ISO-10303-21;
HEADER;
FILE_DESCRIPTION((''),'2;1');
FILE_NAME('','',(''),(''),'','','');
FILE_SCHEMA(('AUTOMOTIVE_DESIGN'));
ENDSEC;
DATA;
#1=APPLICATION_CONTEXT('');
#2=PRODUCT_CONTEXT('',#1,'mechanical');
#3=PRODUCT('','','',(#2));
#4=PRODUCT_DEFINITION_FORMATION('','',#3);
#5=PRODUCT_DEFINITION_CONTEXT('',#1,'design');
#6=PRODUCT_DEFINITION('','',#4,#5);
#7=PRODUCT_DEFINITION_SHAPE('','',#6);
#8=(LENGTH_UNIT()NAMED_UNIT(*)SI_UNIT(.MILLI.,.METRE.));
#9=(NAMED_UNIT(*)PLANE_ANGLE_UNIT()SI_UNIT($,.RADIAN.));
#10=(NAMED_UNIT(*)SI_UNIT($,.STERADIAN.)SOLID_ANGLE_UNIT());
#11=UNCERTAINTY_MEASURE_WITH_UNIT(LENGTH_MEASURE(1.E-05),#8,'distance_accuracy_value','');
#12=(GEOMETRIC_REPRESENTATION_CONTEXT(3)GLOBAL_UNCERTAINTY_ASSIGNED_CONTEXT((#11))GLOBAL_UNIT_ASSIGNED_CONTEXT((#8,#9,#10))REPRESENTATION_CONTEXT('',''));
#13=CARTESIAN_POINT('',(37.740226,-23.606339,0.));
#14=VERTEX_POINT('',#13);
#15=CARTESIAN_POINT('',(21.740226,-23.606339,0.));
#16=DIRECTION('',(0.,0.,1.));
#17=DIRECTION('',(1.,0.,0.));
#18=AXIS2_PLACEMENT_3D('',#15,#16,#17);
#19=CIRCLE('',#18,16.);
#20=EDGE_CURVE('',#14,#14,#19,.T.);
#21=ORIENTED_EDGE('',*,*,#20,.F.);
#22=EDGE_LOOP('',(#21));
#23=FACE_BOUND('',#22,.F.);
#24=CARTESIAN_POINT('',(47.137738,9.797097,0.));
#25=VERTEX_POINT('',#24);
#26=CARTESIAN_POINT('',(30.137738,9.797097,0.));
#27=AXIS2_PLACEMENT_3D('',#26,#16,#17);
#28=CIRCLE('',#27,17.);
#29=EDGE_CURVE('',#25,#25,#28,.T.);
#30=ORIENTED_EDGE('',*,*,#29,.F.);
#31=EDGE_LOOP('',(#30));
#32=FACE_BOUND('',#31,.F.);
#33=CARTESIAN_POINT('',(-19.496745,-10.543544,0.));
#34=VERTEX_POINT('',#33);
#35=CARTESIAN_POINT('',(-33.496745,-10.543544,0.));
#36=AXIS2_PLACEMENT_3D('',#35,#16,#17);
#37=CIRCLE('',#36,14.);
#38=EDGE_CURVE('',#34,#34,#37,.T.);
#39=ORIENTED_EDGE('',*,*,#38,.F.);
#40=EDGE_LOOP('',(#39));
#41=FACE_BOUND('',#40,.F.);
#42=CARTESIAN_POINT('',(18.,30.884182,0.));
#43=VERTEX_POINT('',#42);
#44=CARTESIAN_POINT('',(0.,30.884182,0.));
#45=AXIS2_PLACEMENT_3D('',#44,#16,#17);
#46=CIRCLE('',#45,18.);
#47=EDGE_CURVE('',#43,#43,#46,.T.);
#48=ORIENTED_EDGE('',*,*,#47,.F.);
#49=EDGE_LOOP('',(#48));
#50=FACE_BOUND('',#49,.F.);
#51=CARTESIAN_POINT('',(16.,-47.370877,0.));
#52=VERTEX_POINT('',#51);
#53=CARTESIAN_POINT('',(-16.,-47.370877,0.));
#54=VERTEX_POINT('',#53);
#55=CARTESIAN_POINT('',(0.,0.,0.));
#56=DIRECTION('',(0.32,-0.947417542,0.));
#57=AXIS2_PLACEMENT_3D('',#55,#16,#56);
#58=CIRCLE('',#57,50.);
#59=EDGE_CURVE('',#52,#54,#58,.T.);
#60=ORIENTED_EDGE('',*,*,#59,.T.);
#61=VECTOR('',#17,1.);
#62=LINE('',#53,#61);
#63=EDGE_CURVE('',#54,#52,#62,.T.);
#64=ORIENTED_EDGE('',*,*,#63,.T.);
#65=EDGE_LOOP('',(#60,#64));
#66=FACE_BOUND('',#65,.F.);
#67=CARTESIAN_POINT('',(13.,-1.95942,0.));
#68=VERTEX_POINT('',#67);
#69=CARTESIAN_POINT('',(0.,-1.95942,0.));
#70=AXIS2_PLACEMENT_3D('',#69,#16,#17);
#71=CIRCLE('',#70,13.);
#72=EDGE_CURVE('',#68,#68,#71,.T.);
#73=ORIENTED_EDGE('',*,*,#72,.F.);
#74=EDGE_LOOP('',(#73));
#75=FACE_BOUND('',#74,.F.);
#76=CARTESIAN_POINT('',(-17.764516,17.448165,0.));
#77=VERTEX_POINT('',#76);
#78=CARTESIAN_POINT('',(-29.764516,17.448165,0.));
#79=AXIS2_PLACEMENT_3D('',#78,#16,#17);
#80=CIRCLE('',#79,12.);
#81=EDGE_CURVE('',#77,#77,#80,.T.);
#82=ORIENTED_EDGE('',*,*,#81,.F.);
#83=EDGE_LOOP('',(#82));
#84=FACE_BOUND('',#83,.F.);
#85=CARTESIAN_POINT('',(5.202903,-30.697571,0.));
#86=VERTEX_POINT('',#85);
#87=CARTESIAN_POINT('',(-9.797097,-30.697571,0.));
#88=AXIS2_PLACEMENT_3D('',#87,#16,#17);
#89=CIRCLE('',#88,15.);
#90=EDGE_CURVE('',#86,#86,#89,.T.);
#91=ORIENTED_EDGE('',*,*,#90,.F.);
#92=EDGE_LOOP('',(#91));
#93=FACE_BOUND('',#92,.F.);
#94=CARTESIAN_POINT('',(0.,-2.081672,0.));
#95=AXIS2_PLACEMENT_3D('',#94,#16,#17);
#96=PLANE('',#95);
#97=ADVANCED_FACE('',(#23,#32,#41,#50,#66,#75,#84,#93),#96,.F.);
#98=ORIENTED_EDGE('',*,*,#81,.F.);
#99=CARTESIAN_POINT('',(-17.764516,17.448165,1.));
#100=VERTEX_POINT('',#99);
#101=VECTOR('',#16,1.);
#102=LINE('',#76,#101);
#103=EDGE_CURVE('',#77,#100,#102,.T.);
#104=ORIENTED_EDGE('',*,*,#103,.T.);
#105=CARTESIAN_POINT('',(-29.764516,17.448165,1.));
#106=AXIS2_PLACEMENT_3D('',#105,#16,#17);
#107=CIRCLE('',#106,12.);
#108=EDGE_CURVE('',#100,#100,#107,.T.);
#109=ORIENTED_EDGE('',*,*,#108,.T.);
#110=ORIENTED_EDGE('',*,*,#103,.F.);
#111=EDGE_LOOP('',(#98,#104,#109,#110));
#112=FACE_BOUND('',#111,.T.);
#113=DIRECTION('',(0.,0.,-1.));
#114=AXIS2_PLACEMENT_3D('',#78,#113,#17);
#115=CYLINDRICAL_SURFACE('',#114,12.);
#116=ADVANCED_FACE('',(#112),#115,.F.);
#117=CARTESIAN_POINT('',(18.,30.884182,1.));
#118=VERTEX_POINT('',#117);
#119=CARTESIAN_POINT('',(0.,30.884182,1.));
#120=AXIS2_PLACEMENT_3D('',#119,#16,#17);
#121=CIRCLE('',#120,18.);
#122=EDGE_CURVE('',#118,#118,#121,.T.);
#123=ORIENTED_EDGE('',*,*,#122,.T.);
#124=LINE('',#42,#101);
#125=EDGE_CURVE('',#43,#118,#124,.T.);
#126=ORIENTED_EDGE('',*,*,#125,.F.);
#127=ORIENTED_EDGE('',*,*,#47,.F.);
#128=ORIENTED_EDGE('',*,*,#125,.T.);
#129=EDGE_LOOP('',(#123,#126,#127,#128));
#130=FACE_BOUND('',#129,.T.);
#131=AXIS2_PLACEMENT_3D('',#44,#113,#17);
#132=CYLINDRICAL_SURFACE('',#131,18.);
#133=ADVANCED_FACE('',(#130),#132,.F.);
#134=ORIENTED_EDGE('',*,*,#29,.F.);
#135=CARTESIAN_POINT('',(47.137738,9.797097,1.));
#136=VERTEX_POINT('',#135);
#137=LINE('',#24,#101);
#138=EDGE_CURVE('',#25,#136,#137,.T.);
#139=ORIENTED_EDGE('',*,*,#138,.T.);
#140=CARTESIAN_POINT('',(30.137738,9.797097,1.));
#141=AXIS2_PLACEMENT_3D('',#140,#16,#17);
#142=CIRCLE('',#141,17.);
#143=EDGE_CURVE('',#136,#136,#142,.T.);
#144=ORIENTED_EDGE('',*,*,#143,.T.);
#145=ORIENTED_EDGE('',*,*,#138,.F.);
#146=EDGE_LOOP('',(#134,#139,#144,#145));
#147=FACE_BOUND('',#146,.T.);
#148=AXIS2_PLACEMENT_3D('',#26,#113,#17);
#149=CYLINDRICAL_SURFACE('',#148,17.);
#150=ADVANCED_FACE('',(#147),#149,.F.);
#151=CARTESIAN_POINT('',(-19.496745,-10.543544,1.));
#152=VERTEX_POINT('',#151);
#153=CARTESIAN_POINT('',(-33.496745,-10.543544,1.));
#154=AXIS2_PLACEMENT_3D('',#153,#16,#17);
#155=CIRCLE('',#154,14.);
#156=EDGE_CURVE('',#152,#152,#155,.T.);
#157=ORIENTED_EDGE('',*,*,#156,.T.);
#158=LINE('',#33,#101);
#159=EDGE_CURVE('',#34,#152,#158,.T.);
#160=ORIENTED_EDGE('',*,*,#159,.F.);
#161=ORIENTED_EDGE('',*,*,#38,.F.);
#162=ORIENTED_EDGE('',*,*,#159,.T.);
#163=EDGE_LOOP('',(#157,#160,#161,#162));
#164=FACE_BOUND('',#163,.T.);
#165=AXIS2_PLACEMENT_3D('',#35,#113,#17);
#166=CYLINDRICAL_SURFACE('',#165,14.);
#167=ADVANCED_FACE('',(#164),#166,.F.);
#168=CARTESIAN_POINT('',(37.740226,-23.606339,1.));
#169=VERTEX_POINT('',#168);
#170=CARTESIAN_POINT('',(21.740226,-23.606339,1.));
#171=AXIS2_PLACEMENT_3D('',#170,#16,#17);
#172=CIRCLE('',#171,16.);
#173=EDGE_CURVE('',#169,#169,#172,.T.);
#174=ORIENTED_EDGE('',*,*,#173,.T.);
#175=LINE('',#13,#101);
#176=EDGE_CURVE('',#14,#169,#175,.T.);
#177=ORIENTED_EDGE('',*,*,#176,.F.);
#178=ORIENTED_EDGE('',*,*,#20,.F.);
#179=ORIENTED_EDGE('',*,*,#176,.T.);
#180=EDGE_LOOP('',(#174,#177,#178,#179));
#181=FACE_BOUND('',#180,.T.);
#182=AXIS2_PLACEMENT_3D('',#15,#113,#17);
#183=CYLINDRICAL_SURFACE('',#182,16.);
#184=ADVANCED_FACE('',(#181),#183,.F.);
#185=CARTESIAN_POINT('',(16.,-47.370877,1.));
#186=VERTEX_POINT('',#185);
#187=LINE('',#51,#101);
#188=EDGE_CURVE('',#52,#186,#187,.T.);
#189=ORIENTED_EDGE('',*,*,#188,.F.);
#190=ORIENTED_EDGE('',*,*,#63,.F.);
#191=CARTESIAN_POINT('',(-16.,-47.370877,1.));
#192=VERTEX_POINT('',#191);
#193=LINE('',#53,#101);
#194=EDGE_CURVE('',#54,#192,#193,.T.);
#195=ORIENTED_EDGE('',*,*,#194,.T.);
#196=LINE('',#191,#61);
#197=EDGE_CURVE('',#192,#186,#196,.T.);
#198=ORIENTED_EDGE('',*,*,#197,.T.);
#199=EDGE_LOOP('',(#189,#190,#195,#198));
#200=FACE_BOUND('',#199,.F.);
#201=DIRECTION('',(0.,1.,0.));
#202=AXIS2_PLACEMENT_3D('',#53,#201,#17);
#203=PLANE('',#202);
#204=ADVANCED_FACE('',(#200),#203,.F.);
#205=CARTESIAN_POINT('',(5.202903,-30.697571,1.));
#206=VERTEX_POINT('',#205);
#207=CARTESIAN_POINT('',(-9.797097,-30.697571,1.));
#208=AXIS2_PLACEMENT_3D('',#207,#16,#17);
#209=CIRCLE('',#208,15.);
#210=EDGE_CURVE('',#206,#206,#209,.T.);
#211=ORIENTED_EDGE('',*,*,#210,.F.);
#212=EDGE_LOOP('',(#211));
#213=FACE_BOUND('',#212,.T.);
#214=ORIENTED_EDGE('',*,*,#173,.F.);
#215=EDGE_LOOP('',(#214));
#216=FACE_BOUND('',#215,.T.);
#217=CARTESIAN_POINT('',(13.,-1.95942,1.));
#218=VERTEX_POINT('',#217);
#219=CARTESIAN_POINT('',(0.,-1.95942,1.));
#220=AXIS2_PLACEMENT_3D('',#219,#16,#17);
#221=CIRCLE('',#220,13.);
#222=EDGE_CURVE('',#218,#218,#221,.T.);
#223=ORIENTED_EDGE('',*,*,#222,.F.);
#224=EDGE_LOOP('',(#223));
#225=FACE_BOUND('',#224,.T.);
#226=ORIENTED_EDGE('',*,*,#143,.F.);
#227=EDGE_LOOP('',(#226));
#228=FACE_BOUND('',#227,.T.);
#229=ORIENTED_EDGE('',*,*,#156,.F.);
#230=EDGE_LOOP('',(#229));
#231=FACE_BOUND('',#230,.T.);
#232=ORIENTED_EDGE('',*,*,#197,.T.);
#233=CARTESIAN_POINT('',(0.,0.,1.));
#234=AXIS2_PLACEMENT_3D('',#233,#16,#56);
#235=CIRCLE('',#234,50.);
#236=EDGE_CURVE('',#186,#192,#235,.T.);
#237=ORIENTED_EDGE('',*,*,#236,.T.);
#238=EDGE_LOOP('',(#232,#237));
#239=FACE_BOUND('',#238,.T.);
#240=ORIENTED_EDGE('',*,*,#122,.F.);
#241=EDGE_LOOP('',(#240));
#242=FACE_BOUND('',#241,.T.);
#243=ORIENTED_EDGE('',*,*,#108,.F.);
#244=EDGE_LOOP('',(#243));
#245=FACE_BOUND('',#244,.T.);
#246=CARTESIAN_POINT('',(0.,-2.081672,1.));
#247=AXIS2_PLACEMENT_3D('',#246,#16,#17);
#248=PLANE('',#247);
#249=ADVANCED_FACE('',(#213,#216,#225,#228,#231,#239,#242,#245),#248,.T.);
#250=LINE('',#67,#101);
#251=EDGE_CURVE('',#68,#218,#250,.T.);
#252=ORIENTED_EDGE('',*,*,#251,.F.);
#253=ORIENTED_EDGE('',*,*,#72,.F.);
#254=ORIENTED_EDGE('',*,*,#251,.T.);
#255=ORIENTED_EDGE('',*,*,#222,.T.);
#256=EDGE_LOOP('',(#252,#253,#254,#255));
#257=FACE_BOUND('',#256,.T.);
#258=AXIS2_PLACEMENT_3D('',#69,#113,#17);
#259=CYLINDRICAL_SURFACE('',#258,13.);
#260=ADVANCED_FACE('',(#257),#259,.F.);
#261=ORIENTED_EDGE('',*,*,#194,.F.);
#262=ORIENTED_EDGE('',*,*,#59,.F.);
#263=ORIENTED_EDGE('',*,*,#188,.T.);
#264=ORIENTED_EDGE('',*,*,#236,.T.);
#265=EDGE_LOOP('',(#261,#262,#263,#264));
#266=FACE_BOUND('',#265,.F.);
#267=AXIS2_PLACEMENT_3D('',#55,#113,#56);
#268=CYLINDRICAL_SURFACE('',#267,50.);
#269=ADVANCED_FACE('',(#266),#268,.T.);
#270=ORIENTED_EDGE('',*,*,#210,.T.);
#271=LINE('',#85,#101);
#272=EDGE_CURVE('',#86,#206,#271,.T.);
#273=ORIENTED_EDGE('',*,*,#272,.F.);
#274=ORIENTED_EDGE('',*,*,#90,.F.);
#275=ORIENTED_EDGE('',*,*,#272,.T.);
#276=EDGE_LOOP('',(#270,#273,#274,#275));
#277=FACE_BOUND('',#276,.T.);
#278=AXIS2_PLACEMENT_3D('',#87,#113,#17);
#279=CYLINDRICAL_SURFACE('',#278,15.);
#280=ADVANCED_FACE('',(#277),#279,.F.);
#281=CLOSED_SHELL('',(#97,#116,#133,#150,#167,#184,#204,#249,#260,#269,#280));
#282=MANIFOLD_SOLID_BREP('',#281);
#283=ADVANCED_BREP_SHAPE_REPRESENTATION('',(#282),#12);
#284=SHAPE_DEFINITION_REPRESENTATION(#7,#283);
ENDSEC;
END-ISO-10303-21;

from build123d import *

# Parameters (mm, degrees)
F0_R     = 15
F0_R_2   = 14
F0_R_3   = 13
F0_R_4   = 16
F0_R_5   = 12
F0_R_6   = 18
F0_R_7   = 17
F1_DEPTH = 1


with BuildPart() as f1:
    # F0 (on Top) → F1 (new body)
    with BuildSketch(Plane.XY):
        with BuildLine():
            Line((-16, -47.370877), (16, -47.370877))
            ThreePointArc((16, -47.370877), (0, 50), (-16, -47.370877))
        make_face()
        with Locations((-9.797097, -30.697571)):
            Circle(F0_R, mode=Mode.SUBTRACT)
        with Locations((-33.496745, -10.543544)):
            Circle(F0_R_2, mode=Mode.SUBTRACT)
        with Locations((0, -1.95942)):
            Circle(F0_R_3, mode=Mode.SUBTRACT)
        with Locations((21.740226, -23.606339)):
            Circle(F0_R_4, mode=Mode.SUBTRACT)
        with Locations((-29.764516, 17.448165)):
            Circle(F0_R_5, mode=Mode.SUBTRACT)
        with Locations((0, 30.884182)):
            Circle(F0_R_6, mode=Mode.SUBTRACT)
        with Locations((30.137738, 9.797097)):
            Circle(F0_R_7, mode=Mode.SUBTRACT)
    extrude(amount=F1_DEPTH)


solid = f1.part
